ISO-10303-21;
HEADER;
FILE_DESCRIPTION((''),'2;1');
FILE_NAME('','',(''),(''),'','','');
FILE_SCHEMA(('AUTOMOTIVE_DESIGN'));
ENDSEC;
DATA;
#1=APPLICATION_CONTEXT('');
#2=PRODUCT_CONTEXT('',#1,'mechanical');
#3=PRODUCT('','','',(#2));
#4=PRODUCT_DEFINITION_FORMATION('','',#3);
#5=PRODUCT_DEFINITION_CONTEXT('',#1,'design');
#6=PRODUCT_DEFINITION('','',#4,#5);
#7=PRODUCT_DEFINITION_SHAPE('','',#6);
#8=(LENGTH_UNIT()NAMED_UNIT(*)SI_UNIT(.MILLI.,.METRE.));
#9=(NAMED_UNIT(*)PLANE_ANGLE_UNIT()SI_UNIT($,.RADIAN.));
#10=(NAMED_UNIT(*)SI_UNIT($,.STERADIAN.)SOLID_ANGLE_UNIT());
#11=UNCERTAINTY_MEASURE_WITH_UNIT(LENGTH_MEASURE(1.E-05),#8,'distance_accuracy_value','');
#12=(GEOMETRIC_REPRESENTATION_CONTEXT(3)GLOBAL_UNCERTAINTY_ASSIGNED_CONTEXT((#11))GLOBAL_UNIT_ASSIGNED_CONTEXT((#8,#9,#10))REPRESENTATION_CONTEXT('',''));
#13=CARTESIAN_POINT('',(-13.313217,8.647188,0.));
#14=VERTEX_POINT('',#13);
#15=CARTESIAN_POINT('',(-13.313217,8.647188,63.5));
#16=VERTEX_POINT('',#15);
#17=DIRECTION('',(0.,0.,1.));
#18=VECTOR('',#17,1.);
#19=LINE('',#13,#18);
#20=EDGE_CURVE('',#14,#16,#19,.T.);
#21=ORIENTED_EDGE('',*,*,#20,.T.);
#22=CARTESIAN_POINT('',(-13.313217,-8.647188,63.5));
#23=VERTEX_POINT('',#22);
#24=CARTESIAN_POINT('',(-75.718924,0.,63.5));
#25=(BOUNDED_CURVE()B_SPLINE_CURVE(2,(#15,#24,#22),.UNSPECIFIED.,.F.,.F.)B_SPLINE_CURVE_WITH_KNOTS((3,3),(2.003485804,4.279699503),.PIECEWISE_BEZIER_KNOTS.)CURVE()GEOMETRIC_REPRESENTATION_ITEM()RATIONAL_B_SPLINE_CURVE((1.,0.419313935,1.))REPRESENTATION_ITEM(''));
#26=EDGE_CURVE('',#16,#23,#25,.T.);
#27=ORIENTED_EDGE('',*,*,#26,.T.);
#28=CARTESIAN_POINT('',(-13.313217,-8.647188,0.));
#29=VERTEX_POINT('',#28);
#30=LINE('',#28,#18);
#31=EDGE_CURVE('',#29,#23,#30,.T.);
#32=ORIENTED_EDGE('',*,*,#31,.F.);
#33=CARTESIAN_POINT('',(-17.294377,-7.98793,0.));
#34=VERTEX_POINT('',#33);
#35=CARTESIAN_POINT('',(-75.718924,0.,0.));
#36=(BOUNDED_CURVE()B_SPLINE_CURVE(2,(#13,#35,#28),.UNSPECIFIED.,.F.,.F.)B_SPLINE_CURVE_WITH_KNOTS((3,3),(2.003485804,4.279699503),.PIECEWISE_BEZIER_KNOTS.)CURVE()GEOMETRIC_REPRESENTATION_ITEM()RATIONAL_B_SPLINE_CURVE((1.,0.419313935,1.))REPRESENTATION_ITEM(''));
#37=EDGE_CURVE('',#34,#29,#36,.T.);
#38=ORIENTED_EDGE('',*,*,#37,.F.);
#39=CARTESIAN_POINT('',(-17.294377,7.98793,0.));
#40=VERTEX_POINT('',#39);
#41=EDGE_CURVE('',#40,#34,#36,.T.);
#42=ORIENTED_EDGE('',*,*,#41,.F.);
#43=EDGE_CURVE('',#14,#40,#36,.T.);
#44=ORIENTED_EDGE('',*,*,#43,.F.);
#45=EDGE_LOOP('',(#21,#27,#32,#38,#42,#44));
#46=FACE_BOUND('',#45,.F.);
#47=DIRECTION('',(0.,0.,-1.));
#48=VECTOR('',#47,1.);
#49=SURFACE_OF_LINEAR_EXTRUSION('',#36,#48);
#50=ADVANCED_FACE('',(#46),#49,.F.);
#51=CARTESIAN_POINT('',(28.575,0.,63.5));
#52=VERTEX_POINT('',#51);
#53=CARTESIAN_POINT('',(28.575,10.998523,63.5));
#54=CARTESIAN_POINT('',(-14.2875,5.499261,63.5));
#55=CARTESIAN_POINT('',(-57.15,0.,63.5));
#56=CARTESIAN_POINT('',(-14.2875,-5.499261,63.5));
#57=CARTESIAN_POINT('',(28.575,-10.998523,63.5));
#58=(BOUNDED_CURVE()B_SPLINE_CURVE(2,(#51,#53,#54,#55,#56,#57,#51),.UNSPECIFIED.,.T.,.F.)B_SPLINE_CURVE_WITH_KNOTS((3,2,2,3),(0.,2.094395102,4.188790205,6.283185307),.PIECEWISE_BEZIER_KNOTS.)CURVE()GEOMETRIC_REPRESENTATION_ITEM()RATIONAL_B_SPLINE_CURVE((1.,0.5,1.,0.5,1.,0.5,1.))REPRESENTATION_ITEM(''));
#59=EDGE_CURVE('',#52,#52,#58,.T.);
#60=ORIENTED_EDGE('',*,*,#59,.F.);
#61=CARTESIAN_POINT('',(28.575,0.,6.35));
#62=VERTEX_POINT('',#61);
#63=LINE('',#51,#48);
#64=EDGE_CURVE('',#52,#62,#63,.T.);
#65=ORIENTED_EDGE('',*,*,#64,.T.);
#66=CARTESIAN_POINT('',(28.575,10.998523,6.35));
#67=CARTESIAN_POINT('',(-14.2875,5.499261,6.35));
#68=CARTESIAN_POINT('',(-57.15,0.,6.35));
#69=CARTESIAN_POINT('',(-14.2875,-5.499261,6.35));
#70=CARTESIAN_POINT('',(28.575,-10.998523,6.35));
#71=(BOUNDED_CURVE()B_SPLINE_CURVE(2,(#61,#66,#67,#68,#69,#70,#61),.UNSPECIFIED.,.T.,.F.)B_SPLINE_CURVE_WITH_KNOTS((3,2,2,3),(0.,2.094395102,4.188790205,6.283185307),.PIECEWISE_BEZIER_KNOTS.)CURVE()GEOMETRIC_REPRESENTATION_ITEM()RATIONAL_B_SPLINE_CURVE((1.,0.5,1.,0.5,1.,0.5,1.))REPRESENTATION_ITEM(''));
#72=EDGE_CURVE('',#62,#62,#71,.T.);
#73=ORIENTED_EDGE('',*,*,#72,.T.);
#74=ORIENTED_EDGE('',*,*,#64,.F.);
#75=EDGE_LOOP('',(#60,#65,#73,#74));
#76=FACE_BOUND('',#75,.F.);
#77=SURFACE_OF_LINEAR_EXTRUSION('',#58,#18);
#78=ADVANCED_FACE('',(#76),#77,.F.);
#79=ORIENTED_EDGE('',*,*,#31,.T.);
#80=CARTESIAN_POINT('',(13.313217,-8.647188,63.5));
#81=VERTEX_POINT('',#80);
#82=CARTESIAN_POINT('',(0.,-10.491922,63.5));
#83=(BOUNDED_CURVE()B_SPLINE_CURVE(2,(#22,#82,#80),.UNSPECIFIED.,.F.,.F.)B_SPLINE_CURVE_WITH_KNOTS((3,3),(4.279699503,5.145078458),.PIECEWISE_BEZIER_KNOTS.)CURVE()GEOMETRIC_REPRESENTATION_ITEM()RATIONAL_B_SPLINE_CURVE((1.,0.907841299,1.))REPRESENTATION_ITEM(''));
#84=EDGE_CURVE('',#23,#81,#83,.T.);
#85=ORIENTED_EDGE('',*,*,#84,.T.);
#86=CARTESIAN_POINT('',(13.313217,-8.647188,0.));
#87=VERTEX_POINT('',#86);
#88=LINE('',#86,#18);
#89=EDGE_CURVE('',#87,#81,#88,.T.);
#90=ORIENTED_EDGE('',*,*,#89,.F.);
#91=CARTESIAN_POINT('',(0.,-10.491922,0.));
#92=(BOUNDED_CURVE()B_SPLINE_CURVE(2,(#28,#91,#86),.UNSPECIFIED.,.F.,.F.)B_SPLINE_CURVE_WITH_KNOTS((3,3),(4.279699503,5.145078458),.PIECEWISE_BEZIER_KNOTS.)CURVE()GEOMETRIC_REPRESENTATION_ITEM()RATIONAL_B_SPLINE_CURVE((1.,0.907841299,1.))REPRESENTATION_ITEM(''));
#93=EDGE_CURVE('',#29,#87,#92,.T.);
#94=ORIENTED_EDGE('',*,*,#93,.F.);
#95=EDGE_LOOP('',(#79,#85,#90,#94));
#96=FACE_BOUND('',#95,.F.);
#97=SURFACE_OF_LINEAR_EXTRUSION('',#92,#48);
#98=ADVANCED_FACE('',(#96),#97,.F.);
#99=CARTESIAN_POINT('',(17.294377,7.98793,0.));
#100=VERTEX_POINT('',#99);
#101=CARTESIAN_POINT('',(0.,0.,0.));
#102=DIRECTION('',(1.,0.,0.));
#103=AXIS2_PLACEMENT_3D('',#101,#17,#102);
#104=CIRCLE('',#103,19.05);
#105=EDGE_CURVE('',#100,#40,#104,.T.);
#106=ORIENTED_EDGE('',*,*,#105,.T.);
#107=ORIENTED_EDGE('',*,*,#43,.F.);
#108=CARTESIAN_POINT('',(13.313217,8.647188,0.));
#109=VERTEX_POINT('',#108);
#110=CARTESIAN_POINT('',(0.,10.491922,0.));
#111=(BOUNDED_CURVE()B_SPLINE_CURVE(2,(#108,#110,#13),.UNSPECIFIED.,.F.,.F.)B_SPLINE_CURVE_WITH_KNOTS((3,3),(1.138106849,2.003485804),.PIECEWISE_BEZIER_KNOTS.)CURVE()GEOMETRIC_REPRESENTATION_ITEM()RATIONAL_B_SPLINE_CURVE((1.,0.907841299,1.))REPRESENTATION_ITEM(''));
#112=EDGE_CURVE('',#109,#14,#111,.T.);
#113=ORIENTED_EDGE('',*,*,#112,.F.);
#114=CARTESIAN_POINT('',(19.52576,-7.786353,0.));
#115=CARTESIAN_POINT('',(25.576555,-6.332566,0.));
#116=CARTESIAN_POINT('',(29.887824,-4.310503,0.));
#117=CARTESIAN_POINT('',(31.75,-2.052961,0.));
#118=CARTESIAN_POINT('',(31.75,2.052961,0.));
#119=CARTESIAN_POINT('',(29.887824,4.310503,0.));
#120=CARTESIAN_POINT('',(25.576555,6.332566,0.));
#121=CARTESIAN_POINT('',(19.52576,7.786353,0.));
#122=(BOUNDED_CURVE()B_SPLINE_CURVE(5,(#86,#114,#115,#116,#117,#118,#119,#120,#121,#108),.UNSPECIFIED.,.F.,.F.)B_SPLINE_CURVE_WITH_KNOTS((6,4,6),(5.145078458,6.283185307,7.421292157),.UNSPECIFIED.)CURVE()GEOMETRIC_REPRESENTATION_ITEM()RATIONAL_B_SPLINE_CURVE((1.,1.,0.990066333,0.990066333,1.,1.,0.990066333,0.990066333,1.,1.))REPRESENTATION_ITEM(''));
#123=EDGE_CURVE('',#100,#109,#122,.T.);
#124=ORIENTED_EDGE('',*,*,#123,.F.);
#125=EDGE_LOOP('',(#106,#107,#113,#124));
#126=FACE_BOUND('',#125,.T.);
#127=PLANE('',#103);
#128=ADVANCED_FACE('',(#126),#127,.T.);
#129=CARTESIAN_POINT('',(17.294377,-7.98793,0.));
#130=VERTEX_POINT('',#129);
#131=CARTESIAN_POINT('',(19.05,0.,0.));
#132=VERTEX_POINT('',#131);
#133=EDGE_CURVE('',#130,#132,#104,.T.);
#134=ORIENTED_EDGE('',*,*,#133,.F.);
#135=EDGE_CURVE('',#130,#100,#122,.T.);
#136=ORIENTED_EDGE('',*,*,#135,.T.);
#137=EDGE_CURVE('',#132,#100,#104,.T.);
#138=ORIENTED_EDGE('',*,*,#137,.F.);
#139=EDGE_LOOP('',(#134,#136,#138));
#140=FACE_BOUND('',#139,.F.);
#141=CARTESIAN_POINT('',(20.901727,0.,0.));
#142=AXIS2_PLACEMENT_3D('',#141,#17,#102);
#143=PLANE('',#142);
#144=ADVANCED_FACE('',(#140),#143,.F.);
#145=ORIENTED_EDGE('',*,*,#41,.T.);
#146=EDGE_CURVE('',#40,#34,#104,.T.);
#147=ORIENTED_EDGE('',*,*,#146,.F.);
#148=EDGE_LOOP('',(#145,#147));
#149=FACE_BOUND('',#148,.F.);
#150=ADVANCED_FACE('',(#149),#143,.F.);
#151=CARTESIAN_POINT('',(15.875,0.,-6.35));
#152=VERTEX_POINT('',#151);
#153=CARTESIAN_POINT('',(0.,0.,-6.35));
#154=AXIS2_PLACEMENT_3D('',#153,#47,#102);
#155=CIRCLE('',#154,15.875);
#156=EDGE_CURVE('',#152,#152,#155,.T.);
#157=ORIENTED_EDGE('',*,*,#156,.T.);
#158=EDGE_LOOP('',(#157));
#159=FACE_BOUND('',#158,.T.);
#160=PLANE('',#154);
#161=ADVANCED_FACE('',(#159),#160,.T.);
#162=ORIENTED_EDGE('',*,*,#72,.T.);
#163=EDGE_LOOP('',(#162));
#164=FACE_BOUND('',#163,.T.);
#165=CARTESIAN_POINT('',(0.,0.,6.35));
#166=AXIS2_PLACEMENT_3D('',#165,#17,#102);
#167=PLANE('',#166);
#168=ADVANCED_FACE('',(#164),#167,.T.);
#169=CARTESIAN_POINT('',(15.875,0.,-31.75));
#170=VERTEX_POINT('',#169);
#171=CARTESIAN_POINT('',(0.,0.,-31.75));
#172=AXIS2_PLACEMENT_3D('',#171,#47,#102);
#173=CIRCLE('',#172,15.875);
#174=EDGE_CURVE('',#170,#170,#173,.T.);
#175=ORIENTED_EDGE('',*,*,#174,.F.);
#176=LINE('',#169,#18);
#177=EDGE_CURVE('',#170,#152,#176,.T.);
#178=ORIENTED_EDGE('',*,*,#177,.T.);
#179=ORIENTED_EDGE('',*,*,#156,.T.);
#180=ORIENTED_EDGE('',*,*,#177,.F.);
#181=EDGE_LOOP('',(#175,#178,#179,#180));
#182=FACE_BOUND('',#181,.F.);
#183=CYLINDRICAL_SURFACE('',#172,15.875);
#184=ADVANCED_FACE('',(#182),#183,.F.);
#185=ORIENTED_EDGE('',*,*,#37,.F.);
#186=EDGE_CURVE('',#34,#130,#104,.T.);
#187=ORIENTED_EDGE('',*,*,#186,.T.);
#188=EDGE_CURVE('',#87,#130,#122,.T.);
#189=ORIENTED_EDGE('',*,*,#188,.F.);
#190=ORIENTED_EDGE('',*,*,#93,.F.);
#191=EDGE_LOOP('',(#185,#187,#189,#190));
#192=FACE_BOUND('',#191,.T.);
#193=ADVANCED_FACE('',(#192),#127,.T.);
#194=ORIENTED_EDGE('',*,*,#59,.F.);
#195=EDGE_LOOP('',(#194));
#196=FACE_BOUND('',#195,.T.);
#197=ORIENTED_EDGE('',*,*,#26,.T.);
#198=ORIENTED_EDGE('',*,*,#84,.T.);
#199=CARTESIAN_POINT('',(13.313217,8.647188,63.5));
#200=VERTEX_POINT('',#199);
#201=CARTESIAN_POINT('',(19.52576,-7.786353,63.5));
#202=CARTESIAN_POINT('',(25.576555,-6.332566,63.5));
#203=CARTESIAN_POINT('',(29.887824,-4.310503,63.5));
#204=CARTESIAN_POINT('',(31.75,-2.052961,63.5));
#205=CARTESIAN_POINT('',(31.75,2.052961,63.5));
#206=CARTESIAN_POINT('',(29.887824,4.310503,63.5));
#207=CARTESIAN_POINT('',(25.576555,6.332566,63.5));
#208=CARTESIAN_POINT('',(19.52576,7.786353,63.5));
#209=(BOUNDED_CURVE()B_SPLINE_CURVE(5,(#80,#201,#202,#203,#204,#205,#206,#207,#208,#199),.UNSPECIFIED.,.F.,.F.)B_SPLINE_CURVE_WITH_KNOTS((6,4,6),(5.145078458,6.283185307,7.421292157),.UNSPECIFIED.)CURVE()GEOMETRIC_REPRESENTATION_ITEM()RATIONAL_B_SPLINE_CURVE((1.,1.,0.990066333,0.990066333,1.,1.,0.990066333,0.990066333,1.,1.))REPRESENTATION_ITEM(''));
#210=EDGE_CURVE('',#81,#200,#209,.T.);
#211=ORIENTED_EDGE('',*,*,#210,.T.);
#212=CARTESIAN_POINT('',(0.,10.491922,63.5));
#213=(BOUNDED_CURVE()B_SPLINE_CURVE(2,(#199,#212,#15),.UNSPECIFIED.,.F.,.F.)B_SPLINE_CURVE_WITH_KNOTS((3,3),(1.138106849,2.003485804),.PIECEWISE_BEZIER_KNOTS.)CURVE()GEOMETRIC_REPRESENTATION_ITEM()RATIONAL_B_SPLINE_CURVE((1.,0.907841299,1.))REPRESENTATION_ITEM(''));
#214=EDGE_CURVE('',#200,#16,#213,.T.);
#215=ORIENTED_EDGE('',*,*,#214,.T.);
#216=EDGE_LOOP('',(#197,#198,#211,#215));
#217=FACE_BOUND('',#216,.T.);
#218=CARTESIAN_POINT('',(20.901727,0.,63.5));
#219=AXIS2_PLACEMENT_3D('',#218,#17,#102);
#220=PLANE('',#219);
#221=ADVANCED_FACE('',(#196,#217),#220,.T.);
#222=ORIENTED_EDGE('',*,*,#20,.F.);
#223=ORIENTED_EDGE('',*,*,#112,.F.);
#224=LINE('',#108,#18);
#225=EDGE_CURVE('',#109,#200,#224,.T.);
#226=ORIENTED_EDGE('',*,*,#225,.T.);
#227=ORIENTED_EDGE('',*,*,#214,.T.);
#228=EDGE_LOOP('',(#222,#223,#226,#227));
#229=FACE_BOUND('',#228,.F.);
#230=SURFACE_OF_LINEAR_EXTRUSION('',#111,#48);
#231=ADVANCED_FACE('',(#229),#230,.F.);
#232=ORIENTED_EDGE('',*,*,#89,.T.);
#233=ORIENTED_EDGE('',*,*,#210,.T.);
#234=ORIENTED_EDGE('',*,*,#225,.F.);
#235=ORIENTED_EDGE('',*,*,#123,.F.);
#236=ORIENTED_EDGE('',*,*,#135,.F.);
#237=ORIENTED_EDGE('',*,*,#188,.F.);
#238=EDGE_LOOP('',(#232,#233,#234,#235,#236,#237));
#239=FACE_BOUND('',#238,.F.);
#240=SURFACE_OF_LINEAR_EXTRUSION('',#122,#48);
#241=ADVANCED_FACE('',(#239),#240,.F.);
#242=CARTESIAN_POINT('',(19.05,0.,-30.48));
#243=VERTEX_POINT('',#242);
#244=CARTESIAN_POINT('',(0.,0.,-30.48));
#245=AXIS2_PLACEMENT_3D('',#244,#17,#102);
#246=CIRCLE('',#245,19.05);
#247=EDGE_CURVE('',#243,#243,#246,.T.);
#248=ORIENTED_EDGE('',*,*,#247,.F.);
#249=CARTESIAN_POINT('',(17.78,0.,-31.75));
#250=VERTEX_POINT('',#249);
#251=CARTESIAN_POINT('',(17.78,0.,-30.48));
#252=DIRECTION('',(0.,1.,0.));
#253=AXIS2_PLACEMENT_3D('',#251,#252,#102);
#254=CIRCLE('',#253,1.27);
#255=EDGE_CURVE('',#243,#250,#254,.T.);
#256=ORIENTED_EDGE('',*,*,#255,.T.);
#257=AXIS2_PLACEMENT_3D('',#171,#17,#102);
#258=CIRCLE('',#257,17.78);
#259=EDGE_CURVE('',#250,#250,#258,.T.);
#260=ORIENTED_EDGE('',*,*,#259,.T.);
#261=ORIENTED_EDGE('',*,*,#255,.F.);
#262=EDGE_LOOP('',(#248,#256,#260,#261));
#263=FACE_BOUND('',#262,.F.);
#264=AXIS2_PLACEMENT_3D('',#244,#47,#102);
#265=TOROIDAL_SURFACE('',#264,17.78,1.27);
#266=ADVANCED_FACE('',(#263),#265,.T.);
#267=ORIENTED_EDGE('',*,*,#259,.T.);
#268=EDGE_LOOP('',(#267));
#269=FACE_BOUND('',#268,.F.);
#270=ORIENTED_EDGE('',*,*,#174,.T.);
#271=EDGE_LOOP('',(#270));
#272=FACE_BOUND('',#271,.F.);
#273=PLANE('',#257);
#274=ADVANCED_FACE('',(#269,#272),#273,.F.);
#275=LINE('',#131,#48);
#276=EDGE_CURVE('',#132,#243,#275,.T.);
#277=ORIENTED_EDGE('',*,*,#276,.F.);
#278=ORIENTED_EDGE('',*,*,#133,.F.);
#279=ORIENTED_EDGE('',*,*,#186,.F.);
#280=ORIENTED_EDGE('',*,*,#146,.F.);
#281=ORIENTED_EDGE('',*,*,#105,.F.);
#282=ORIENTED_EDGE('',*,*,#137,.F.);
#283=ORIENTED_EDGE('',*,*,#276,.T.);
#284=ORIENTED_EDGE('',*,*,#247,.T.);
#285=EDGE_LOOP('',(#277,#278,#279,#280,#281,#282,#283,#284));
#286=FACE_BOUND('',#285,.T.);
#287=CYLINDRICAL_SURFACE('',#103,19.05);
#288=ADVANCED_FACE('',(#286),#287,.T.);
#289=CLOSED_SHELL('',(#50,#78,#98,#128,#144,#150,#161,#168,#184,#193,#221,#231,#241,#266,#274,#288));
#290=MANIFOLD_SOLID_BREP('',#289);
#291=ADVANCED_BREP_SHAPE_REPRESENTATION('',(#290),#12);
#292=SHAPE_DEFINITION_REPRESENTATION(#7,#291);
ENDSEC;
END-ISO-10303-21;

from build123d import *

# Parameters (mm, degrees)
F1_DEPTH = 63.5
F2_R     = 19.05
F3_DEPTH = 31.75
F4_R     = 15.875
F5_DEPTH = 25.4
F8_DEPTH = 57.15
F9_R     = 1.27


with BuildPart() as f1:
    # F0 (on Top) → F1 (new body)
    with BuildSketch(Plane.XY):
        with BuildLine():
            add(Edge.make_bspline(
                [(13.3132174264, -8.647188373), (31.75, -6.0925128414), (31.75, 0)],
                knots=[5.1450784578, 5.1450784578, 5.1450784578, 6.2831853072, 6.2831853072, 6.2831853072], degree=2, weights=[1, 0.8424114003, 1]))
            add(Edge.make_bspline(
                [(31.75, 0), (31.75, 6.0925128414), (13.3132174264, 8.647188373)],
                knots=[0, 0, 0, 1.1381068494, 1.1381068494, 1.1381068494], degree=2, weights=[1, 0.8424114003, 1]))
            ThreePointArc((13.3132174264, 8.647188373), (15.2210865519, 4.5093402154), (15.875, 0))
            ThreePointArc((15.875, 0), (15.2210865519, -4.5093402154), (13.3132174264, -8.647188373))
        make_face()
        with BuildLine():
            ThreePointArc((15.875, 0), (15.2210865519, 4.5093402154), (13.3132174264, 8.647188373))
            add(Edge.make_bspline(
                [(13.3132174264, 8.647188373), (0, 10.4919218926), (-13.3132174264, 8.647188373)],
                knots=[1.1381068494, 1.1381068494, 1.1381068494, 2.0034858042, 2.0034858042, 2.0034858042], degree=2, weights=[1, 0.907841299, 1]))
            ThreePointArc((-13.3132174264, 8.647188373), (-15.875, 0), (-13.3132174264, -8.647188373))
            add(Edge.make_bspline(
                [(-13.3132174264, -8.647188373), (0, -10.4919218926), (13.3132174264, -8.647188373)],
                knots=[4.2796995029, 4.2796995029, 4.2796995029, 5.1450784578, 5.1450784578, 5.1450784578], degree=2, weights=[1, 0.907841299, 1]))
            ThreePointArc((13.3132174264, -8.647188373), (15.2210865519, -4.5093402154), (15.875, 0))
        make_face()
        with BuildLine():
            ThreePointArc((-13.3132174264, -8.647188373), (-15.875, 0), (-13.3132174264, 8.647188373))
            add(Edge.make_bspline(
                [(-13.3132174264, 8.647188373), (-75.7189241125, 0), (-13.3132174264, -8.647188373)],
                knots=[2.0034858042, 2.0034858042, 2.0034858042, 4.2796995029, 4.2796995029, 4.2796995029], degree=2, weights=[1, 0.4193139347, 1]))
        make_face()
    extrude(amount=F1_DEPTH)

    # F2 (on Top) → F3 (join)
    with BuildSketch(Plane.XY):
        Circle(F2_R)
    extrude(amount=-F3_DEPTH)

    # F4 (on face) → F5 (cut)
    with BuildSketch(Plane(origin=(0, 0, -31.75), x_dir=(1, 0, 0), z_dir=(0, 0, -1))):
        Circle(F4_R)
    extrude(amount=-F5_DEPTH, mode=Mode.SUBTRACT)

    # F7 (on face) → F8 (cut)
    with BuildSketch(Plane.XY.offset(63.5)):
        with BuildLine():
            add(Edge.make_bspline(
                [(28.575, 0), (28.575, 10.9985226281), (-14.2875, 5.499261314), (-57.15, 0), (-14.2875, -5.499261314), (28.575, -10.9985226281), (28.575, 0)],
                knots=[0, 0, 0, 2.0943951024, 2.0943951024, 4.1887902048, 4.1887902048, 6.2831853072, 6.2831853072, 6.2831853072], degree=2, weights=[1, 0.5, 1, 0.5, 1, 0.5, 1]))
        make_face()
    extrude(amount=-F8_DEPTH, mode=Mode.SUBTRACT)

    # F9
    f9_edges = [f1.edges().sort_by_distance(p)[0] for p in [
        (-19.05, 0, -31.75),
    ]]
    fillet(f9_edges, radius=F9_R)


solid = f1.part
